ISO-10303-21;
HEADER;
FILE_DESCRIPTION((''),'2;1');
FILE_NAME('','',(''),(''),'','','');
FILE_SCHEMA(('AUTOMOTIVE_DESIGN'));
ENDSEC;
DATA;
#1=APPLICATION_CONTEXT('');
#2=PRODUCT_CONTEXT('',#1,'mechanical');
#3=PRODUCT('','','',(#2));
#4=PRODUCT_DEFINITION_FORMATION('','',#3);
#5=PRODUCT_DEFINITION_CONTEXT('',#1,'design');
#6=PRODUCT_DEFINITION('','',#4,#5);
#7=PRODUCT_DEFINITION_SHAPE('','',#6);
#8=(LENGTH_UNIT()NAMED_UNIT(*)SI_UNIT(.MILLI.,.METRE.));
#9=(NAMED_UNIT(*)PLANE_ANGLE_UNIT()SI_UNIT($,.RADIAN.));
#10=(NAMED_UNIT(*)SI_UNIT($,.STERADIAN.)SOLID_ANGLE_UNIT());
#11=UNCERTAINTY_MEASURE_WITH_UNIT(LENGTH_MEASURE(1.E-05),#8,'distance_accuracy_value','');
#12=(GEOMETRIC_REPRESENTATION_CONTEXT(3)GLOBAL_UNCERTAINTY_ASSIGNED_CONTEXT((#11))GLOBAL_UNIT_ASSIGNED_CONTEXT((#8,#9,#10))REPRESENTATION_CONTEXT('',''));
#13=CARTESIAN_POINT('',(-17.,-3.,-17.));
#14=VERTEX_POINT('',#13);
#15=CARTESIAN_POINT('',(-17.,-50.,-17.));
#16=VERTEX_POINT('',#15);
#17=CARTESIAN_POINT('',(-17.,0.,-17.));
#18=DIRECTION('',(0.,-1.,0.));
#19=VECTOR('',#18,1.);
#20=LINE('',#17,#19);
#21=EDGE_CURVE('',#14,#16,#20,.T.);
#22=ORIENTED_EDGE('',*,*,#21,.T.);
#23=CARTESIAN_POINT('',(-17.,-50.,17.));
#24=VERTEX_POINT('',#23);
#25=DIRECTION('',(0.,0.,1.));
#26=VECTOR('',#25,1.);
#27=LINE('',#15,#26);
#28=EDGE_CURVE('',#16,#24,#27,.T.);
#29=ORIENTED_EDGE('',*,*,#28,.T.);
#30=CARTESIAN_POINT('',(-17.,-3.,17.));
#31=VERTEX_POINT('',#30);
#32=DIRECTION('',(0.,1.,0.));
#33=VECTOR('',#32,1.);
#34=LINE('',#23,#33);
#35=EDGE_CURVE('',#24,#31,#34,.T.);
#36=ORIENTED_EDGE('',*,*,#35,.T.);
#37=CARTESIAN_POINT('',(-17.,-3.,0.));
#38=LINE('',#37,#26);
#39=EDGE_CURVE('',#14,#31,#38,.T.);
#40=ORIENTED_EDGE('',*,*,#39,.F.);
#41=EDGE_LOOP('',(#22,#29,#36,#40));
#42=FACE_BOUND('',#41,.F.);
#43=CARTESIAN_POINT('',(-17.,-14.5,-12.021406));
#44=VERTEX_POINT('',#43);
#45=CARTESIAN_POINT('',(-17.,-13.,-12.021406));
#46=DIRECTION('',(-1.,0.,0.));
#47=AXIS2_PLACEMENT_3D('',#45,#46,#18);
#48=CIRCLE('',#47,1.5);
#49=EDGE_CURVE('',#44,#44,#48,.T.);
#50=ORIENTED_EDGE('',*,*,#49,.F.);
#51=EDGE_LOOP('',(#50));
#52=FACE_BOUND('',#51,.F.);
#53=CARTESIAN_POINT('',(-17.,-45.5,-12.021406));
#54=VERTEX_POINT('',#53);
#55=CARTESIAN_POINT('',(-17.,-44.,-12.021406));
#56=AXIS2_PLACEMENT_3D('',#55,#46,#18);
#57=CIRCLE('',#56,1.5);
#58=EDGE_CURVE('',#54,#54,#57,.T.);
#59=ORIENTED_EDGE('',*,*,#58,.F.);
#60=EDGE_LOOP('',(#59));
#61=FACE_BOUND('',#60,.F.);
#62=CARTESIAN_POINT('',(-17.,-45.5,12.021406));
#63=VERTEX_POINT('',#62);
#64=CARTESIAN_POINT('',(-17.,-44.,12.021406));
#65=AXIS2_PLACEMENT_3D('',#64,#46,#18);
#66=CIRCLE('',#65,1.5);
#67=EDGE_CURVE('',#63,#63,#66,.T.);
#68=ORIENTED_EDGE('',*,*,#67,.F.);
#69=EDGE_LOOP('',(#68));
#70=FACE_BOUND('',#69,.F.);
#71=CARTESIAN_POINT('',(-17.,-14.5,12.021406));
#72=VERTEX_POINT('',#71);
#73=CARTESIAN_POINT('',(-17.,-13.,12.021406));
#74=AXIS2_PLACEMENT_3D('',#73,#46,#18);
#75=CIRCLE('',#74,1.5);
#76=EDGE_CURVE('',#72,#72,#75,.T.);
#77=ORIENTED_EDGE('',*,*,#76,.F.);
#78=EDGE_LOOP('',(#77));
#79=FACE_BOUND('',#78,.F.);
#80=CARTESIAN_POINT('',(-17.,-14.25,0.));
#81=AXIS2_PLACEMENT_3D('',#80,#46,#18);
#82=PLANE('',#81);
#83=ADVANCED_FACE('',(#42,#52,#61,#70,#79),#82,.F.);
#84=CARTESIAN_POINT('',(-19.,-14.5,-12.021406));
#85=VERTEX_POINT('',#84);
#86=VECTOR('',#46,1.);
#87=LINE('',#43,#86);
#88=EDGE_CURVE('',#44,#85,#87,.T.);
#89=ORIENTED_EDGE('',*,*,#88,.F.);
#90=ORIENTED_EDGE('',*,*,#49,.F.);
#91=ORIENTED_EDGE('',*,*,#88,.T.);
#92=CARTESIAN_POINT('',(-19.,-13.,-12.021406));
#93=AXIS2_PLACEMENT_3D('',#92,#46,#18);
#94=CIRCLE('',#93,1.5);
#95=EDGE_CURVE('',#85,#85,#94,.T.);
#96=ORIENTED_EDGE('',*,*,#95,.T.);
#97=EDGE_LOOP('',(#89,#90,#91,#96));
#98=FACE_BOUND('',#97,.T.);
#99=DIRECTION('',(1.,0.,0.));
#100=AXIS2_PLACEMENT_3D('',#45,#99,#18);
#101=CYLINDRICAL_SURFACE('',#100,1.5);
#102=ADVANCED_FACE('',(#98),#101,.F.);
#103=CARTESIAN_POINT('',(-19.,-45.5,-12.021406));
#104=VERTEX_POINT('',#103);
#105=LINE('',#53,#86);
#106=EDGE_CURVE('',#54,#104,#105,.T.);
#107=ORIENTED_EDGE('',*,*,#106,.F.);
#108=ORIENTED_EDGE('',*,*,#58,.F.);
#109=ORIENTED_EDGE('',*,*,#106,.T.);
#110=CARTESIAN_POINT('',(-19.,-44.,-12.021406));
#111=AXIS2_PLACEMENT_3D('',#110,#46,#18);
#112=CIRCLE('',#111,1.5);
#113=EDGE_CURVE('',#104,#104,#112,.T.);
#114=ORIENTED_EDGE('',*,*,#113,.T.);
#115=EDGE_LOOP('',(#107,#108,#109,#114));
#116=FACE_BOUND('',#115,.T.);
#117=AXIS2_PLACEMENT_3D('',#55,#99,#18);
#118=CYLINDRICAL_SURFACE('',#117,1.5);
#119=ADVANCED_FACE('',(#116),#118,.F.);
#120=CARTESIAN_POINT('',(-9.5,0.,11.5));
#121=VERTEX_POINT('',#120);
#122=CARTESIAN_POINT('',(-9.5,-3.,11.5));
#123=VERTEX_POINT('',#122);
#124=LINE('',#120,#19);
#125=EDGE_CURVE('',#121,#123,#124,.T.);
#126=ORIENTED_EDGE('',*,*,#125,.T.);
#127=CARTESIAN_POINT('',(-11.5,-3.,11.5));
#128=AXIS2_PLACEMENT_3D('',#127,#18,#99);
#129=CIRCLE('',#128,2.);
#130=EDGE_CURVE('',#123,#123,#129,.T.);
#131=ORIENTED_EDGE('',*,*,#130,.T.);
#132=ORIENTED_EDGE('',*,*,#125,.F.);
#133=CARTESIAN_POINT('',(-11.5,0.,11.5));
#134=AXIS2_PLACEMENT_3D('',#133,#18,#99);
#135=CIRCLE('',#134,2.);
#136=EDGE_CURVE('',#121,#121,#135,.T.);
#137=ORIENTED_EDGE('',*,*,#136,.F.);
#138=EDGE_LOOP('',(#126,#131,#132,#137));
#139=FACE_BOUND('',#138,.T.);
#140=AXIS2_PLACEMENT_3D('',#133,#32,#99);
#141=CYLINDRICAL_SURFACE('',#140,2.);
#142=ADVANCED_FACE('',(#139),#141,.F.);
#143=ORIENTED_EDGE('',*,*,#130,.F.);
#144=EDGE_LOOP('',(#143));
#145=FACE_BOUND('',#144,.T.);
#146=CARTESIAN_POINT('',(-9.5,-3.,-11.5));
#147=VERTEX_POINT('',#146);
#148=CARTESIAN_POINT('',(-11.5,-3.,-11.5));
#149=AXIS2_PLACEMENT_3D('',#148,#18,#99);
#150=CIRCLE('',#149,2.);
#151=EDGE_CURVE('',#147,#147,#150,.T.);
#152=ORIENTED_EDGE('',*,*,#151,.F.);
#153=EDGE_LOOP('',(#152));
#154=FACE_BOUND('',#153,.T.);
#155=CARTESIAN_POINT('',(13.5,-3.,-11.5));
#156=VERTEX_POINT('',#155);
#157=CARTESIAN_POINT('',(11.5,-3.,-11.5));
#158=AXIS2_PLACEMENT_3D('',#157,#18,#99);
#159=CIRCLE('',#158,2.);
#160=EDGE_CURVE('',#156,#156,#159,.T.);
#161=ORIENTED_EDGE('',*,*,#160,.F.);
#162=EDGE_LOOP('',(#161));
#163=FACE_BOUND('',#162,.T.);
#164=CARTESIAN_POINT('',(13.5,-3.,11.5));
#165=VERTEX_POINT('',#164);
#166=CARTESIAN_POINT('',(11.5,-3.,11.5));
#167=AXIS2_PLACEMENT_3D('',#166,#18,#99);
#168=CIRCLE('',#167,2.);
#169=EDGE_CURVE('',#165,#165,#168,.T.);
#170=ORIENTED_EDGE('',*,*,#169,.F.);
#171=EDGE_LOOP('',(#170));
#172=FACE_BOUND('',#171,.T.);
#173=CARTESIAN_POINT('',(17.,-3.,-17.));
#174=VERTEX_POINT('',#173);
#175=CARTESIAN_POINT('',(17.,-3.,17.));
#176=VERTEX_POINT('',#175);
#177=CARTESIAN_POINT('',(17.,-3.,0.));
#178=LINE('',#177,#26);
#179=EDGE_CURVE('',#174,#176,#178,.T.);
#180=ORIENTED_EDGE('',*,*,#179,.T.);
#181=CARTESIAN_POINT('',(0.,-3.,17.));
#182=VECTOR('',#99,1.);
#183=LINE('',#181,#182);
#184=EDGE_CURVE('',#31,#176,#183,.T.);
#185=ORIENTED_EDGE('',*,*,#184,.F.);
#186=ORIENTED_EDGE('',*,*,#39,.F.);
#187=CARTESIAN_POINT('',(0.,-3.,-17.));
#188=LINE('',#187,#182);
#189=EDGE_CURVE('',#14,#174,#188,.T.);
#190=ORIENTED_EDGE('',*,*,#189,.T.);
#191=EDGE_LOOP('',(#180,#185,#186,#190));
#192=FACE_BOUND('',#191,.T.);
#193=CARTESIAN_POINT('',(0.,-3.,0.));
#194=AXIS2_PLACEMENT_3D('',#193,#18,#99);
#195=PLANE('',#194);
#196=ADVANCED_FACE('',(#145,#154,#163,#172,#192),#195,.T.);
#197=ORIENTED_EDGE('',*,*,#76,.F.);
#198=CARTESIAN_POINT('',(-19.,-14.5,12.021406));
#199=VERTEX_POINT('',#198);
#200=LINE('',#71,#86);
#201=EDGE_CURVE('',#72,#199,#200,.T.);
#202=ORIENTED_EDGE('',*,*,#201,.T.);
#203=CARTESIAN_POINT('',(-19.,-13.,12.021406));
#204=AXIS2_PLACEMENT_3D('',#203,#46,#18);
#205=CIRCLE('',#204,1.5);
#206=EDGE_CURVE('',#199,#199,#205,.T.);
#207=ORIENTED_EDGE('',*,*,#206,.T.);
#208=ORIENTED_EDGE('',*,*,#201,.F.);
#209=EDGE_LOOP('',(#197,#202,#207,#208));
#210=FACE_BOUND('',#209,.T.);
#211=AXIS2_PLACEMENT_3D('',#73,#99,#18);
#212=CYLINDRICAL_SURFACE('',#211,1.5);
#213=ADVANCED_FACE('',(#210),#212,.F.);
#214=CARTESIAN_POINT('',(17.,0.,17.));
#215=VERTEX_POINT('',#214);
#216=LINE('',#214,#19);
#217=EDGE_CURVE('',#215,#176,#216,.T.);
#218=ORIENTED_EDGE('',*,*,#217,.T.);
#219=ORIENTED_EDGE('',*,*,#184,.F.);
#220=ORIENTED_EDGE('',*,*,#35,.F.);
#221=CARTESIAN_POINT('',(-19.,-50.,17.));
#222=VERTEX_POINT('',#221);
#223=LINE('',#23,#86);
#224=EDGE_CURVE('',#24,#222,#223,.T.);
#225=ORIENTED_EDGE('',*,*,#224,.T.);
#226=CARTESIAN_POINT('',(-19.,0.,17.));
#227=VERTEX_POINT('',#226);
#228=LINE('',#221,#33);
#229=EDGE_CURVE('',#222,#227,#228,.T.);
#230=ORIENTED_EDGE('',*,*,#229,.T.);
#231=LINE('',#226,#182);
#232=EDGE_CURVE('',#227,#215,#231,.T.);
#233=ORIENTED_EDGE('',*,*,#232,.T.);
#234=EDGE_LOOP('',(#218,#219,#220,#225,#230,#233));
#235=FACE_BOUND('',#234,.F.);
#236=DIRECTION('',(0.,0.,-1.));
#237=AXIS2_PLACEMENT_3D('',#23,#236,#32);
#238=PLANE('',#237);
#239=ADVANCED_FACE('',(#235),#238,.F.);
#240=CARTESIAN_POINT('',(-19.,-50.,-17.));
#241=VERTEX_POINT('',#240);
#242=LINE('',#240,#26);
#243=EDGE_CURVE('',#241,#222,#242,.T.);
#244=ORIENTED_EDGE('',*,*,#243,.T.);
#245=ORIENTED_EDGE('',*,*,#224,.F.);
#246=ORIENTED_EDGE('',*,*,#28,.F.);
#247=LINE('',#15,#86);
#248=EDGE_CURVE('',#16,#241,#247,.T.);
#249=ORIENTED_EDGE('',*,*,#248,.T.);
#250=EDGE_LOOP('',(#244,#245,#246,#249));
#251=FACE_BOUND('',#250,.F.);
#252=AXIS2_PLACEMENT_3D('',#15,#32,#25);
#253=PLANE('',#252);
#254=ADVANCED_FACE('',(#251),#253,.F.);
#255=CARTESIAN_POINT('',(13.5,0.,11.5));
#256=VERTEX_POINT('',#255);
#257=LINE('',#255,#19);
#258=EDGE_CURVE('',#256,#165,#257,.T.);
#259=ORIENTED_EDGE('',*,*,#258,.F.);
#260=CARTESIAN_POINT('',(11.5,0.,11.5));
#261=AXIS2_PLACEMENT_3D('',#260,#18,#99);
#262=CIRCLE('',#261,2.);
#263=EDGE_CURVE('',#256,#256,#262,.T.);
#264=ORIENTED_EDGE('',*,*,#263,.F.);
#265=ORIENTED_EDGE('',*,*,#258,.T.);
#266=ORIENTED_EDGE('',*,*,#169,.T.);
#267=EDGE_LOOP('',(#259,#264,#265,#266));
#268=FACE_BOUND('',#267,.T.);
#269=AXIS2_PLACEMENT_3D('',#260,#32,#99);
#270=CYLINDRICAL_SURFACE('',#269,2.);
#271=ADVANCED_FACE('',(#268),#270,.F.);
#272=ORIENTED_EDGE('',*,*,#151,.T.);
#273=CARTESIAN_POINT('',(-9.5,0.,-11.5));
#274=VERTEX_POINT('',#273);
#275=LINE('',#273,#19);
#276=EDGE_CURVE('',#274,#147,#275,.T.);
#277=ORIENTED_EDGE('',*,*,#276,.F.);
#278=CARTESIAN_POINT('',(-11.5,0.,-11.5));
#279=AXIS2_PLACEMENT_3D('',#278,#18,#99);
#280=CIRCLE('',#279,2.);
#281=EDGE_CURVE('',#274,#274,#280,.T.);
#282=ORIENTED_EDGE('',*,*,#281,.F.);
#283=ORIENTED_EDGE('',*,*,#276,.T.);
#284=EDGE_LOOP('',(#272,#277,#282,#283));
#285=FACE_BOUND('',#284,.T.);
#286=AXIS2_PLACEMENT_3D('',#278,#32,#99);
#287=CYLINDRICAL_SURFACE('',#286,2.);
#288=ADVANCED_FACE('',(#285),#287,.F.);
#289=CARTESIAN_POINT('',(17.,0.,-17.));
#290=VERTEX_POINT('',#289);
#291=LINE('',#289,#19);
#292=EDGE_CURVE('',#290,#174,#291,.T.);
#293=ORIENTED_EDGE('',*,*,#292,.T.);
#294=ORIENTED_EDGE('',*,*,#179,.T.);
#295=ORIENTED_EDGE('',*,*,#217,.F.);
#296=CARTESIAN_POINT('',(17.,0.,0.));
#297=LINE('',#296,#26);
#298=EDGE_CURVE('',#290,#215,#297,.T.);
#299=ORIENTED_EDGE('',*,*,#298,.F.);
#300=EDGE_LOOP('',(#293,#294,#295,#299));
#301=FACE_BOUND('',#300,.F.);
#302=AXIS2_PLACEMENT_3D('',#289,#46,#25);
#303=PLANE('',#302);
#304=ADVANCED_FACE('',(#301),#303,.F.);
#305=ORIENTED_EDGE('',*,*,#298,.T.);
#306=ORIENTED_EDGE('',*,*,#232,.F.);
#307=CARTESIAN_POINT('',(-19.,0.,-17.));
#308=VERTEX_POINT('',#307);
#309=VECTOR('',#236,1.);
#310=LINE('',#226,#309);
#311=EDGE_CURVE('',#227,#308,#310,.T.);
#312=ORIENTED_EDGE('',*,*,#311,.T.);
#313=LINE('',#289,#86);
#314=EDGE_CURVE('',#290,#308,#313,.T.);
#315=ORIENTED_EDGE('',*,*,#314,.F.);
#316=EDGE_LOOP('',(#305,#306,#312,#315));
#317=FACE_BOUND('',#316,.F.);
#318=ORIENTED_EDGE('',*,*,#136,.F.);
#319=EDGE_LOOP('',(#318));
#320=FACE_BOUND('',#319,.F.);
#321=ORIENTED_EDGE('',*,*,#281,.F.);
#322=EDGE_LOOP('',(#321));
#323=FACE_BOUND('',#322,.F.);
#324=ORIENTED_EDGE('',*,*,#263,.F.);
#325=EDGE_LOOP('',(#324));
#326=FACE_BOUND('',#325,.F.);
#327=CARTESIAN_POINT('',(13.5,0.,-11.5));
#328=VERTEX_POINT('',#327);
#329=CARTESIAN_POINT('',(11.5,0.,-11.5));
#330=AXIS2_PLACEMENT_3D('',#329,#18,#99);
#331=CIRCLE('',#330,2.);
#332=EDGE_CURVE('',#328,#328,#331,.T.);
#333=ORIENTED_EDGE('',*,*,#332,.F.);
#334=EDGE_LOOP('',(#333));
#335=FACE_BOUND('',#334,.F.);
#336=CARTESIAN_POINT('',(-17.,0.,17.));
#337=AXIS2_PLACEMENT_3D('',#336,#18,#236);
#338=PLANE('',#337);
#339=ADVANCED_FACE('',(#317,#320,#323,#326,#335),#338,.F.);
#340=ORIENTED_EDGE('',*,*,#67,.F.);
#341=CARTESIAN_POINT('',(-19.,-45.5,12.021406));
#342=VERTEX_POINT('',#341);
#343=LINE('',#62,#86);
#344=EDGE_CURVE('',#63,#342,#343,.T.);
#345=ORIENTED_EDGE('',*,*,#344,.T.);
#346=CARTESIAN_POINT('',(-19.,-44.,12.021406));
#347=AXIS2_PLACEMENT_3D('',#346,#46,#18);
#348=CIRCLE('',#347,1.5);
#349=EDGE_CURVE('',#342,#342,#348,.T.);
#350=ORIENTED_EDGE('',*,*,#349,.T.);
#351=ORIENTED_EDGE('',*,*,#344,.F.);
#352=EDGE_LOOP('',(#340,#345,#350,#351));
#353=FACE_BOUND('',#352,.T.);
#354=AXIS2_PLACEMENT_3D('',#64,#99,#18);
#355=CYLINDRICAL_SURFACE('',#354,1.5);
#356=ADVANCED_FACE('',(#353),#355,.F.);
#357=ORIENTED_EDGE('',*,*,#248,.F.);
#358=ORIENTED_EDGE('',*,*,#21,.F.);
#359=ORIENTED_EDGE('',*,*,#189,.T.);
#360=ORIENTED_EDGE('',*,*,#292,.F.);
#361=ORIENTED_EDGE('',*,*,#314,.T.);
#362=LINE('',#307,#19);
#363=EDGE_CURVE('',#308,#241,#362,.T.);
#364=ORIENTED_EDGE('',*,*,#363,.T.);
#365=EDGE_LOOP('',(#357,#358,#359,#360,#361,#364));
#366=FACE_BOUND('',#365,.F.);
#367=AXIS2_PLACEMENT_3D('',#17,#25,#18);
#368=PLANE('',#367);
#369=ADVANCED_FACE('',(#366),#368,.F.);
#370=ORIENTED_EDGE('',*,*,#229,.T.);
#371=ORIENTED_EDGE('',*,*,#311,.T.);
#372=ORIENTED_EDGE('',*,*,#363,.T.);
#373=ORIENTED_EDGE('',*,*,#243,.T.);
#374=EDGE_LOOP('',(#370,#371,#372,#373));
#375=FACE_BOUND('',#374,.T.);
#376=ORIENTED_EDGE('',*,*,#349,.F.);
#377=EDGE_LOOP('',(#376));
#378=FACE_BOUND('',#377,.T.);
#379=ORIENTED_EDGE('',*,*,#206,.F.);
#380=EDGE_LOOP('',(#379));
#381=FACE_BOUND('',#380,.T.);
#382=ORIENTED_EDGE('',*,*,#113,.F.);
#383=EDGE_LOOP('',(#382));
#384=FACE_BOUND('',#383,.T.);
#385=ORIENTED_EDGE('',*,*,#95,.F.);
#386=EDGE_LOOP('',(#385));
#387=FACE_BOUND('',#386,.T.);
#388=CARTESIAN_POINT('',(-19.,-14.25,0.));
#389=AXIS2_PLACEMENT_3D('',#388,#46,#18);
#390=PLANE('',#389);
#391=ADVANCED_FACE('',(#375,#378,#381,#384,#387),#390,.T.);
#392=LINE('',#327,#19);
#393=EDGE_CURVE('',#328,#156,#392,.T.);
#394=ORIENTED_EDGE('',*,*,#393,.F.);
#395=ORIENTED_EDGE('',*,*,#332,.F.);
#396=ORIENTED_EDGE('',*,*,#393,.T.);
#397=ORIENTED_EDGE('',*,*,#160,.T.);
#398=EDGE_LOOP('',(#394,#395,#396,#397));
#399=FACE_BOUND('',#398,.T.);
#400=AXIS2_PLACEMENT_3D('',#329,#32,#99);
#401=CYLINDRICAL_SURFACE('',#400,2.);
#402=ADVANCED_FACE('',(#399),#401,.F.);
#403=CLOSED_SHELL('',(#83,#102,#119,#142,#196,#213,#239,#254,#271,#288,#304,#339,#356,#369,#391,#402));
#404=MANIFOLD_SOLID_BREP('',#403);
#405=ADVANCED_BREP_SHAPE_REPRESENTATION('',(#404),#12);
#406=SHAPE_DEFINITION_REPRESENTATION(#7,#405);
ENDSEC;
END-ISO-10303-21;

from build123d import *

# Parameters (mm, degrees)
F0_W     = 34
F0_H     = 34
F0_R     = 2
F1_DEPTH = 3
F2_R     = 1.5
F3_DEPTH = 2


with BuildPart() as f1:
    # F0 (on Front) → F1 (new body)
    with BuildSketch(Plane.XZ):
        Rectangle(F0_W, F0_H)
        with Locations((-11.5, -11.5)):
            Circle(F0_R, mode=Mode.SUBTRACT)
        with Locations((11.5, -11.5)):
            Circle(F0_R, mode=Mode.SUBTRACT)
        with Locations((-11.5, 11.5)):
            Circle(F0_R, mode=Mode.SUBTRACT)
        with Locations((11.5, 11.5)):
            Circle(F0_R, mode=Mode.SUBTRACT)
    extrude(amount=F1_DEPTH)

    # F2 (on face) → F3 (join)
    with BuildSketch(Plane(origin=(-17, 0, 0), x_dir=(0, -1, 0), z_dir=(-1, 0, 0))):
        Polygon((28.5, 17), (0, 17), (0, -17), (28.5, -17), (28.5, 0), align=None)
        with Locations((13, -12.021406)):
            Circle(F2_R, mode=Mode.SUBTRACT)
        with Locations((13, 12.021406)):
            Circle(F2_R, mode=Mode.SUBTRACT)
        Polygon((50, 17), (28.5, 17), (28.5, 0), (28.5, -17), (50, -17), align=None)
        with Locations((44, -12.021406)):
            Circle(F2_R, mode=Mode.SUBTRACT)
        with Locations((44, 12.021406)):
            Circle(F2_R, mode=Mode.SUBTRACT)
    extrude(amount=F3_DEPTH)


solid = f1.part
